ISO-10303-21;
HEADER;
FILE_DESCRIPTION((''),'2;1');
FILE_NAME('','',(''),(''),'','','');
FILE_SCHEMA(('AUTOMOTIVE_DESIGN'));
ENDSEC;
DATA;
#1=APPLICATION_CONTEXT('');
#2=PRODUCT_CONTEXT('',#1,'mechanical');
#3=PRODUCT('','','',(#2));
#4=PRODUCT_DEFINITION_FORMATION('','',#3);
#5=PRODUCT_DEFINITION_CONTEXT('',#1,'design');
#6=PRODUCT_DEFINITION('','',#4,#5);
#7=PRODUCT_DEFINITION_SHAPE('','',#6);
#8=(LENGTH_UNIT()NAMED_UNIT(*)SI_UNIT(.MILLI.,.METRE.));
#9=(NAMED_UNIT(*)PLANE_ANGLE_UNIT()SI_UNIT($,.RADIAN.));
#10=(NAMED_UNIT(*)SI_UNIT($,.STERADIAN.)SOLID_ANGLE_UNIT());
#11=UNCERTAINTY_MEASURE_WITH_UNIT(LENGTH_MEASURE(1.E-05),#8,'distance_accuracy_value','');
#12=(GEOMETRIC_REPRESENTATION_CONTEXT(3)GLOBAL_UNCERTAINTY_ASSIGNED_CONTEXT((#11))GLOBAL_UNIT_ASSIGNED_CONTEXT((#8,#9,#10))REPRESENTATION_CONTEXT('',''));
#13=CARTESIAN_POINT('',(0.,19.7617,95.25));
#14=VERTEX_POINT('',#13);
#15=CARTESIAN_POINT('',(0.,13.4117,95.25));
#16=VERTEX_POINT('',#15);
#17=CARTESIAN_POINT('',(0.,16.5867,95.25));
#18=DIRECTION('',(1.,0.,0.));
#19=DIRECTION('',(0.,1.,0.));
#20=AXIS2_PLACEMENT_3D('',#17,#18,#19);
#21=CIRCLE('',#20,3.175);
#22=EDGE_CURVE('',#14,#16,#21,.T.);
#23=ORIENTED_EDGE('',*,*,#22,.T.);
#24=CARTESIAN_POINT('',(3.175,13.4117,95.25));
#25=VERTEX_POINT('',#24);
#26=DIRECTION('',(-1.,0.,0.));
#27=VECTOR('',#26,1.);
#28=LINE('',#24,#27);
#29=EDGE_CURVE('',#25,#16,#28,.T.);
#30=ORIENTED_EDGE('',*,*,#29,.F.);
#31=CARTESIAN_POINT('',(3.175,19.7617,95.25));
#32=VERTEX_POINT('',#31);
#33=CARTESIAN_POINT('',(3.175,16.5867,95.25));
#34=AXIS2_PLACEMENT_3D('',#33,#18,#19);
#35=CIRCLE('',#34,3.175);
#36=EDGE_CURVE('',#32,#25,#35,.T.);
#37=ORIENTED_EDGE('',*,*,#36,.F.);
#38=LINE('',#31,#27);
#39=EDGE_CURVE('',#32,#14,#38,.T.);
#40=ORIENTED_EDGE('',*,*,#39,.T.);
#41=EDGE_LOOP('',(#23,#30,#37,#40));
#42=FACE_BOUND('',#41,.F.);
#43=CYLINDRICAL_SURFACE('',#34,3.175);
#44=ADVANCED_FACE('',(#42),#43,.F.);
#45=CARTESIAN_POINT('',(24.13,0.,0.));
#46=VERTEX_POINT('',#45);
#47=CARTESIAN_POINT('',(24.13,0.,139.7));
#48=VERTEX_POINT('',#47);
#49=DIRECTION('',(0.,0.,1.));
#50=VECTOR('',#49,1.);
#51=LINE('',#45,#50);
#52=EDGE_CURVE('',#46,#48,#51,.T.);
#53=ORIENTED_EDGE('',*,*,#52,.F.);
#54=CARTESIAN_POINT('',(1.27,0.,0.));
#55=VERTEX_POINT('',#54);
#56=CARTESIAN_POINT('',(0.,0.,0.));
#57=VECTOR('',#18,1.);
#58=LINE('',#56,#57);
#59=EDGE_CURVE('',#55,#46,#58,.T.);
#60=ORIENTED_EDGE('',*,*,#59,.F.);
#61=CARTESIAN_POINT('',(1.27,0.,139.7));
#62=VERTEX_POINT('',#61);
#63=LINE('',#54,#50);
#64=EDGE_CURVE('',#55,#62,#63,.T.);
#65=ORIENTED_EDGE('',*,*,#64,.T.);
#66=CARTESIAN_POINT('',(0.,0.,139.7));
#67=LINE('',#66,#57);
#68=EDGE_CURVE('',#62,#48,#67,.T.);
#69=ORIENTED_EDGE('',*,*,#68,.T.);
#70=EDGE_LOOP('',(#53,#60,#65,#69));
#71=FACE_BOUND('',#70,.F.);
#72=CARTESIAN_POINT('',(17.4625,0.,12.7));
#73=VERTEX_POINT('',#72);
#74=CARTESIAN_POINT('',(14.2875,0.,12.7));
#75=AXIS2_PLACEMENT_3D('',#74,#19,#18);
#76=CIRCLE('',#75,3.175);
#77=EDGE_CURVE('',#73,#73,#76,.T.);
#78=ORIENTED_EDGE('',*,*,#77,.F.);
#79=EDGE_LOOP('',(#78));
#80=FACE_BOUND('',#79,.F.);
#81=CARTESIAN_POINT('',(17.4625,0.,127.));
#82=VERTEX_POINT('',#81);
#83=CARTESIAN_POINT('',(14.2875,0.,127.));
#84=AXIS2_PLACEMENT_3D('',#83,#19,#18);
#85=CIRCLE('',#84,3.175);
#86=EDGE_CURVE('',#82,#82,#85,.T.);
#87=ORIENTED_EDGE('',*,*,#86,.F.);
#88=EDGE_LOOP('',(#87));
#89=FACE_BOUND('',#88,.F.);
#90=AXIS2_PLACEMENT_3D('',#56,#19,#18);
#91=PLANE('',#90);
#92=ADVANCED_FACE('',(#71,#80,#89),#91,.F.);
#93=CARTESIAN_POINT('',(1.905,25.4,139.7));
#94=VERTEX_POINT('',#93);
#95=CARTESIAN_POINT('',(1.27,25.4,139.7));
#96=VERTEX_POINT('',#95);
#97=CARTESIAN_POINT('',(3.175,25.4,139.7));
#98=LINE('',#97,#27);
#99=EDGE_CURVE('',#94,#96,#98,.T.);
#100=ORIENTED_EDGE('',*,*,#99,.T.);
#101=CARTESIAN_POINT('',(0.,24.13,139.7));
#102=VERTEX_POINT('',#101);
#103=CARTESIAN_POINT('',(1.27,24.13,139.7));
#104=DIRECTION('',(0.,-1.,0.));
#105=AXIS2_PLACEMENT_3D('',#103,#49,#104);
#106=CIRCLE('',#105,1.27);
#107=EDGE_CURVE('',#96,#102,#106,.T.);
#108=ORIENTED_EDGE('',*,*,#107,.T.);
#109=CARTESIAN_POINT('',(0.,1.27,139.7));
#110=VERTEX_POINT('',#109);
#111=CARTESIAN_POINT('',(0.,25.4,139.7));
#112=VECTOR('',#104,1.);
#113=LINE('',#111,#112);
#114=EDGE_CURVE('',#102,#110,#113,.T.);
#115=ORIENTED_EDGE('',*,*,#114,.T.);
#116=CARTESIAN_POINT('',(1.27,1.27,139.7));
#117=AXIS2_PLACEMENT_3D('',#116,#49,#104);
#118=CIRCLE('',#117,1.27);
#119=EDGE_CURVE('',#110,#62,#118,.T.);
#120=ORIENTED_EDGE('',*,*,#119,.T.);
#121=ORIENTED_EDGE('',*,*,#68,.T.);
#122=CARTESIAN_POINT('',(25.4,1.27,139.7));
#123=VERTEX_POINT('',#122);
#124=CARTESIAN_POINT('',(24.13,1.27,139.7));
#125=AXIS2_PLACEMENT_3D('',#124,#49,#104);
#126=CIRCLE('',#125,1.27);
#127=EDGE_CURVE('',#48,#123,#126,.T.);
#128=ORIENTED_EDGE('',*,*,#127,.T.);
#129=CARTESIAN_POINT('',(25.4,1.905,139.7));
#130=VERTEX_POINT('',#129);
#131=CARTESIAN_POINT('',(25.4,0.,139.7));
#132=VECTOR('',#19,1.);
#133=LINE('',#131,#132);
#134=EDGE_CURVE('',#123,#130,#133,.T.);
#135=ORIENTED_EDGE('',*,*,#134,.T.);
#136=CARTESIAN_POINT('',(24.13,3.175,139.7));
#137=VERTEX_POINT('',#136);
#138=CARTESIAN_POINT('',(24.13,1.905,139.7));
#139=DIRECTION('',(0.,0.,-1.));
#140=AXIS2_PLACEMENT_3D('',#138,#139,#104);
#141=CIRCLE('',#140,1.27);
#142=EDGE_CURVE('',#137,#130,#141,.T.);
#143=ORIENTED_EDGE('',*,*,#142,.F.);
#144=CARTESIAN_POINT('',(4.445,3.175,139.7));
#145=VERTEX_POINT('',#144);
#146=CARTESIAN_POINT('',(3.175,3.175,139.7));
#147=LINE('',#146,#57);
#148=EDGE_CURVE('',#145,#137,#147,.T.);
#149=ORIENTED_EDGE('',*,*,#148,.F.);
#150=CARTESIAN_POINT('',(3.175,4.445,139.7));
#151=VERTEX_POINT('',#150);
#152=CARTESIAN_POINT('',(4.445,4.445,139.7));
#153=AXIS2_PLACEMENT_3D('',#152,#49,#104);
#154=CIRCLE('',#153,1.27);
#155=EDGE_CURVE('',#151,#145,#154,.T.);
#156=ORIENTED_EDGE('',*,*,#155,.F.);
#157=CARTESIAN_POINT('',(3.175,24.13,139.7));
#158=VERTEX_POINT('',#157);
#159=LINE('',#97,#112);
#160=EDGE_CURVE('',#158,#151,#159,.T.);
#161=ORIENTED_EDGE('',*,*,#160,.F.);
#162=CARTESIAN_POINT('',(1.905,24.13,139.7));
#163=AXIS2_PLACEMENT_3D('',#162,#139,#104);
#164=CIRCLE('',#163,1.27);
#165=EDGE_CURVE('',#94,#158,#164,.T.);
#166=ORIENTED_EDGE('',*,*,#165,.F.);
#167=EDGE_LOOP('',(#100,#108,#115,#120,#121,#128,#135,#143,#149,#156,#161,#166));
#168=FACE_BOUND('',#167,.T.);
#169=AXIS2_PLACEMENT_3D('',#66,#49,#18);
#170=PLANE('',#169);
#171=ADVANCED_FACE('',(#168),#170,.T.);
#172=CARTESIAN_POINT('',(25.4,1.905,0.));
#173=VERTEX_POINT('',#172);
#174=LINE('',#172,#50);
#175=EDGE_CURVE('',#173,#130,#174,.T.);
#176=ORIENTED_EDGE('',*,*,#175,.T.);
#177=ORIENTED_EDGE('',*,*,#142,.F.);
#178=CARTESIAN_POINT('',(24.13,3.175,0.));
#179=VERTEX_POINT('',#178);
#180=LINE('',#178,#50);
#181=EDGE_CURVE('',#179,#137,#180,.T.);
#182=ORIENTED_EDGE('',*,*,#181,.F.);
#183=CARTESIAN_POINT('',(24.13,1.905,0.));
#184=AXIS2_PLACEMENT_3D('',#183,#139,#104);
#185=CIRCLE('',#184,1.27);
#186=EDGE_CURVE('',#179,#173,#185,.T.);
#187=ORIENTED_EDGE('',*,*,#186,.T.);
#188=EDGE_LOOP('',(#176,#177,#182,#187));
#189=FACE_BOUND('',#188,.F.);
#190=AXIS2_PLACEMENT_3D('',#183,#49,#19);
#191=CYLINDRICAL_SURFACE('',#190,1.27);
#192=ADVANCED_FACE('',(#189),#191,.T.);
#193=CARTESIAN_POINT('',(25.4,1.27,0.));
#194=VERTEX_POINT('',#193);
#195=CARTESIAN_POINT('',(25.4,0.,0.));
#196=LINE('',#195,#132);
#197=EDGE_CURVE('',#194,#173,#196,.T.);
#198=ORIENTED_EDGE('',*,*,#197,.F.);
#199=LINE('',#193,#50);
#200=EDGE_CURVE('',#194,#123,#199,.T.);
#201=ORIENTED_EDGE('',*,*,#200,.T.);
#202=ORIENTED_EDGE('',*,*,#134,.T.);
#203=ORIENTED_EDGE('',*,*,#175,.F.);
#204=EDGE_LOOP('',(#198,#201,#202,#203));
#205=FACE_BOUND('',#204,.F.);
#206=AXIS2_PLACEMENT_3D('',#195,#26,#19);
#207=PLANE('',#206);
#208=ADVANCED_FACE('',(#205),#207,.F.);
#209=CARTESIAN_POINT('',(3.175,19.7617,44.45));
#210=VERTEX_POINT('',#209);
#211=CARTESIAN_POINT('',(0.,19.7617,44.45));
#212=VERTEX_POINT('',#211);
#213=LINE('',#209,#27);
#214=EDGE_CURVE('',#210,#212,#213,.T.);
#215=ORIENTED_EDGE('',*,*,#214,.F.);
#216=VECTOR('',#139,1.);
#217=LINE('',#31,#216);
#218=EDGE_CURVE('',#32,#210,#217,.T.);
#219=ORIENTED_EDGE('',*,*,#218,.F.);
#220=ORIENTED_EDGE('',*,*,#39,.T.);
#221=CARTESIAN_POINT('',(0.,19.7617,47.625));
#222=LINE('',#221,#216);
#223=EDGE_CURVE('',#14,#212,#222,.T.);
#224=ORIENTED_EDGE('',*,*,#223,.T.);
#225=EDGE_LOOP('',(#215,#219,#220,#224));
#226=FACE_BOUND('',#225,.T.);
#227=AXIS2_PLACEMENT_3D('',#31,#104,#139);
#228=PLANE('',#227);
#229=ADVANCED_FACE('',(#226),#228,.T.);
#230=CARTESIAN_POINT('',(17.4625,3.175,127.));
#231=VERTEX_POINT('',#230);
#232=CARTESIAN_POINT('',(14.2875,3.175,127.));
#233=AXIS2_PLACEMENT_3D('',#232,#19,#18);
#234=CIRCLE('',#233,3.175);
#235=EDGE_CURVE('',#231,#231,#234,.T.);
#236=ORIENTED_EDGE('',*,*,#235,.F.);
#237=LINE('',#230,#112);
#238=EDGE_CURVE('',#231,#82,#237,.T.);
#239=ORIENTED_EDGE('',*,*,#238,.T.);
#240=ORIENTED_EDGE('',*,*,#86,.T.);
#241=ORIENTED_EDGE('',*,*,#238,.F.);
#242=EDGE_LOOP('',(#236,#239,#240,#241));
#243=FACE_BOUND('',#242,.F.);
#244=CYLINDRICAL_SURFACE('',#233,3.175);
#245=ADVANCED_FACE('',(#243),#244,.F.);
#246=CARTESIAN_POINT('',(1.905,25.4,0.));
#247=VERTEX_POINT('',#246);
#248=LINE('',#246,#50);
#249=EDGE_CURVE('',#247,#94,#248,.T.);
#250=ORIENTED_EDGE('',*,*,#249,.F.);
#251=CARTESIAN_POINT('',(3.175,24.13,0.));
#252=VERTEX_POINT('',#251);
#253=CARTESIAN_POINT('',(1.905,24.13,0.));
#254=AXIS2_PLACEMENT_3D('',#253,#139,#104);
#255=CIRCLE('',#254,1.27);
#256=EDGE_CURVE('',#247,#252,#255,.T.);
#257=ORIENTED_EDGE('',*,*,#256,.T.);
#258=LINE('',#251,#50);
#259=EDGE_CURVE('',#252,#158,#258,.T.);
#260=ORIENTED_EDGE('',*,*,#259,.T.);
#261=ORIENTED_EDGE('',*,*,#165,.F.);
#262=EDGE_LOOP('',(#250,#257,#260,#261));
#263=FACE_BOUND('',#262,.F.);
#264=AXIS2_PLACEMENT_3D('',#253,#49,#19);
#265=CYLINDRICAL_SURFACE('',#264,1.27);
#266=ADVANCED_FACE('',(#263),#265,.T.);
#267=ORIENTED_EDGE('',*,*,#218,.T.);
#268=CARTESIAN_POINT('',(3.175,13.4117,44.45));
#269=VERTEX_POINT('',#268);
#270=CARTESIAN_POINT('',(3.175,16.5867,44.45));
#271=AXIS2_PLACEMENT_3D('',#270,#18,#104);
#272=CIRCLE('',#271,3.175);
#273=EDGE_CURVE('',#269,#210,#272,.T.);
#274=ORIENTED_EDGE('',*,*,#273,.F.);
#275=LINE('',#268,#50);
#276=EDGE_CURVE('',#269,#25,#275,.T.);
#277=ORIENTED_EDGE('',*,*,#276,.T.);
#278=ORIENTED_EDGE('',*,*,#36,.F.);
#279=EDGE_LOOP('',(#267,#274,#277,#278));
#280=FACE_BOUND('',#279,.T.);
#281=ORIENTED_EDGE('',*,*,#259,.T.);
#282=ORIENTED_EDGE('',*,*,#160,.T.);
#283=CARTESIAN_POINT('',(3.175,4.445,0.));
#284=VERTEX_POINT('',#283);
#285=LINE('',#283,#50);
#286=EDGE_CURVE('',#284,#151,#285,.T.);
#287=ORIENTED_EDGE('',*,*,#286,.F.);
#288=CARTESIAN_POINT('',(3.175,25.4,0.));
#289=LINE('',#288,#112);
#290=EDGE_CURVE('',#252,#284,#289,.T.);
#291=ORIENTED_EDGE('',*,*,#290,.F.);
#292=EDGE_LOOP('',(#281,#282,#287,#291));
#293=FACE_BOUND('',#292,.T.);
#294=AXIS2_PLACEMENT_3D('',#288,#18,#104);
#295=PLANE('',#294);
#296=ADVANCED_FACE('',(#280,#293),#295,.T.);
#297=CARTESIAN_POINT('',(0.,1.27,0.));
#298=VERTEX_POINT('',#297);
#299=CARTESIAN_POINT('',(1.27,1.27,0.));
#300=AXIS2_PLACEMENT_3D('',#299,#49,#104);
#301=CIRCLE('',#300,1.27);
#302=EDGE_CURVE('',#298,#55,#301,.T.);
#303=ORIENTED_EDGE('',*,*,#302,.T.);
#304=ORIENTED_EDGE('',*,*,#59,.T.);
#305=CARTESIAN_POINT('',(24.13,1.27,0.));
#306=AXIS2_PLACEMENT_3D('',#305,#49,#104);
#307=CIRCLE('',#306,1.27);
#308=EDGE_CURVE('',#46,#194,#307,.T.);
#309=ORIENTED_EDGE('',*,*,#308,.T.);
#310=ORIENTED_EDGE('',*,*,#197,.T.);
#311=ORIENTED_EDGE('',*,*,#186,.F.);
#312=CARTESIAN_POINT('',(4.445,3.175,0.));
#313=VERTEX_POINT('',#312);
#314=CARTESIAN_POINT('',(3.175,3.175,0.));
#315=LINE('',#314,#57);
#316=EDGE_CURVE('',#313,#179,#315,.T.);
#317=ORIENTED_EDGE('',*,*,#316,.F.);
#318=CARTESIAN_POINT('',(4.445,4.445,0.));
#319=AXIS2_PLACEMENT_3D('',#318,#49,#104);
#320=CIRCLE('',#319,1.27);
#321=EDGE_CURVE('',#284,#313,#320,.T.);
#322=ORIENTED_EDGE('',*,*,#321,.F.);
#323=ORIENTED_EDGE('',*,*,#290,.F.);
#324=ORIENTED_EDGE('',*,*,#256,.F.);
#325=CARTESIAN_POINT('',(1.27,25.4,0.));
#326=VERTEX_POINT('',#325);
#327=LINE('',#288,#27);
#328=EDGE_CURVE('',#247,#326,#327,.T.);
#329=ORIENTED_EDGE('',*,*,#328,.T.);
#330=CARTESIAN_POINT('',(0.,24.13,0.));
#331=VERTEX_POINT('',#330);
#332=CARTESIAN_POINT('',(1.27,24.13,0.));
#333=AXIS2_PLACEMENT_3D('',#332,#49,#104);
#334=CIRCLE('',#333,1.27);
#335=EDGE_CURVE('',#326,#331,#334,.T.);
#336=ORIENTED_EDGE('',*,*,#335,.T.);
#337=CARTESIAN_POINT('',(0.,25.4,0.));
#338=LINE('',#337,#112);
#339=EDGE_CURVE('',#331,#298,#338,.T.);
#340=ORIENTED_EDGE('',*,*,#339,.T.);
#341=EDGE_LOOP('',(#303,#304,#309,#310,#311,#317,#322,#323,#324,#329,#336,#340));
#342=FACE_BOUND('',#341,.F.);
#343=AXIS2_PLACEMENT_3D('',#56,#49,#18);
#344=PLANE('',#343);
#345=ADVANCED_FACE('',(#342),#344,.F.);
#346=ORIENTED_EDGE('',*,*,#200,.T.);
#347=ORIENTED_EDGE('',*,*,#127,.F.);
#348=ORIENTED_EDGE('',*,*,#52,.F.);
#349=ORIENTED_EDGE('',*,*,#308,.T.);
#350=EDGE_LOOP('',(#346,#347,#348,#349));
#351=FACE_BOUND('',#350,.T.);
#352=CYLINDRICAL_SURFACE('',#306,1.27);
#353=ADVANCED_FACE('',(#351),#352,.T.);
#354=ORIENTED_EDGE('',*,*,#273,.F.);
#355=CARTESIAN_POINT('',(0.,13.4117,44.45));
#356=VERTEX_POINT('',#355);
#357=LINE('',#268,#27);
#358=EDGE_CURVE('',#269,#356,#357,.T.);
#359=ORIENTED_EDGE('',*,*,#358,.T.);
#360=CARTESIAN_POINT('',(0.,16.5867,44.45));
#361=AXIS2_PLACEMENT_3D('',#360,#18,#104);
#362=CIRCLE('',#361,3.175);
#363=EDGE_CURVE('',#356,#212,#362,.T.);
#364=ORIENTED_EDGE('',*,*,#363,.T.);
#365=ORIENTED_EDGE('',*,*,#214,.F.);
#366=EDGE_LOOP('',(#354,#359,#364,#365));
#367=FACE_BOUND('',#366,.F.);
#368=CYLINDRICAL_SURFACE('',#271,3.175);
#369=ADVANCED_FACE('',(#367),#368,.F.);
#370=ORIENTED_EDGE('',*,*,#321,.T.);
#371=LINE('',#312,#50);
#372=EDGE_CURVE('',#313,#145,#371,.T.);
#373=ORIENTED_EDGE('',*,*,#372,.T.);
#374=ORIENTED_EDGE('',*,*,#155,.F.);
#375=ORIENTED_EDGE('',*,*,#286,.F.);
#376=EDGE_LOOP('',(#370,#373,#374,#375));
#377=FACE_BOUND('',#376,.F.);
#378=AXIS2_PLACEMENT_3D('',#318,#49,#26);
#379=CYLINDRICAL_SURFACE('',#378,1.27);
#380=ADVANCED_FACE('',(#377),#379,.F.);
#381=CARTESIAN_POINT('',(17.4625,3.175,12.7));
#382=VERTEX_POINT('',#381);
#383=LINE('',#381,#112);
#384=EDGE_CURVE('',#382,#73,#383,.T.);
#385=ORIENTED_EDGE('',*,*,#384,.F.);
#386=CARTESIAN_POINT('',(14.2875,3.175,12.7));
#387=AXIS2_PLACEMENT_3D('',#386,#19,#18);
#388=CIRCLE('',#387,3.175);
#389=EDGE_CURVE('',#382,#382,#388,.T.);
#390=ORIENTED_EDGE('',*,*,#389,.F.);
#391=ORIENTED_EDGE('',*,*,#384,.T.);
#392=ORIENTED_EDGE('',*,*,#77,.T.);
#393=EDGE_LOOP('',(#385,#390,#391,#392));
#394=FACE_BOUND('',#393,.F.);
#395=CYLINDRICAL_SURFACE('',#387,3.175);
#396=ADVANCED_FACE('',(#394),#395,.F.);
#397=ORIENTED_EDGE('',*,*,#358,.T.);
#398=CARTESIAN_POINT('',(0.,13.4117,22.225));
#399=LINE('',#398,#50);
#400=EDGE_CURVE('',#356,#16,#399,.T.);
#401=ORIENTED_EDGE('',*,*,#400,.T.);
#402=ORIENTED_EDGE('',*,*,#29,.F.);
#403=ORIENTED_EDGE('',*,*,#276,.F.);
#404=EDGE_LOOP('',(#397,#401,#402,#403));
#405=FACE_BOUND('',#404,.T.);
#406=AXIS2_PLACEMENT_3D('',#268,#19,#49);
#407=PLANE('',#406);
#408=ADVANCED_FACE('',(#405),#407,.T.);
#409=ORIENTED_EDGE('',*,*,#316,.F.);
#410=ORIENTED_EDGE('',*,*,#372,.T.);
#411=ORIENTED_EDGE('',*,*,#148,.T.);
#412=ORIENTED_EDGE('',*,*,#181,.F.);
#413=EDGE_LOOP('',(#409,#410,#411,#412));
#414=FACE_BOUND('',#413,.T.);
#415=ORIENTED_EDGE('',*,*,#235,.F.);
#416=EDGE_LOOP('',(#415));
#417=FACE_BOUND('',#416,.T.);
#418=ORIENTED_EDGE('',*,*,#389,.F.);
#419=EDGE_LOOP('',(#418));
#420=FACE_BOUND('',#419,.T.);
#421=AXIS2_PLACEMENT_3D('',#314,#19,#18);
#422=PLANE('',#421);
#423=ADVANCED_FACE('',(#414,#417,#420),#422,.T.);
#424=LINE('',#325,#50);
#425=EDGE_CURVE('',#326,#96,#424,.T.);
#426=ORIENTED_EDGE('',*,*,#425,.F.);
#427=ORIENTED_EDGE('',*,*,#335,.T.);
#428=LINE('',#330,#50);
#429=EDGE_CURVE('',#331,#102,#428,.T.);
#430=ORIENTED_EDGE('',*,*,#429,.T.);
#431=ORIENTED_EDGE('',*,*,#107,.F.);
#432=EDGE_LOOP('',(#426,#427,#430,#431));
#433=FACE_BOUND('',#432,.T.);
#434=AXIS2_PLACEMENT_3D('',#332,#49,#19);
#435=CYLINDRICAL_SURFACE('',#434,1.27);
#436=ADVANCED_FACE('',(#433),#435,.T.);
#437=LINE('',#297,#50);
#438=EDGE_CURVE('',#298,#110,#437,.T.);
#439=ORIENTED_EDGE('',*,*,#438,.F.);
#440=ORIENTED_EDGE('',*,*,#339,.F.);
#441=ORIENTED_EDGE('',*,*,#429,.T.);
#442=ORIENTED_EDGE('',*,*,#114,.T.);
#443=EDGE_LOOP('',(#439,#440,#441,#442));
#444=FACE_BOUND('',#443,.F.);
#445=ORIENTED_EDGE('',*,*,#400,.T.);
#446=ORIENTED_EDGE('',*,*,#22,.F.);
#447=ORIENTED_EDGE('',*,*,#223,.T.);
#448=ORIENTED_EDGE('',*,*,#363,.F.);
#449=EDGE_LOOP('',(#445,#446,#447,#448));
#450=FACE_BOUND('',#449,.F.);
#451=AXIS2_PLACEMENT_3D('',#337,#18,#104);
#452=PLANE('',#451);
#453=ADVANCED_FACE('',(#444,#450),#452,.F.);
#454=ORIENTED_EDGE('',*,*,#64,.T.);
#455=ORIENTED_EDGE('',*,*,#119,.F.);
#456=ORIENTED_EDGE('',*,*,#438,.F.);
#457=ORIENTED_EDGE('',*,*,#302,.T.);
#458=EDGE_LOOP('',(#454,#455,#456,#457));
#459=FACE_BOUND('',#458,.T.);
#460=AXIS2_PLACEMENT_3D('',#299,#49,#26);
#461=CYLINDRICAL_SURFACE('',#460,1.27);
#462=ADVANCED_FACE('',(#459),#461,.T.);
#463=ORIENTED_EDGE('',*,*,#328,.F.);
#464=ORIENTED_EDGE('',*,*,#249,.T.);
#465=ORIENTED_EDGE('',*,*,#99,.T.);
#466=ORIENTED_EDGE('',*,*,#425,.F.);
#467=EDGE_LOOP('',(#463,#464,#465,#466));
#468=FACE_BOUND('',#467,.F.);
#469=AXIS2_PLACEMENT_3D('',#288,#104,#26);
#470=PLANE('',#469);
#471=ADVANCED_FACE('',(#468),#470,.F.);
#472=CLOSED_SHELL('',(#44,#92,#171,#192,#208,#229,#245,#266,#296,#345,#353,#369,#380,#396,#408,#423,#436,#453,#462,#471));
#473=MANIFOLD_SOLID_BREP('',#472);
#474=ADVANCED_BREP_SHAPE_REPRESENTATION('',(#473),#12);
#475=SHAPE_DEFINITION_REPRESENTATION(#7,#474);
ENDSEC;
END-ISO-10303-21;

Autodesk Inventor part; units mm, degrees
ref_plane "YZ Plane" through (0, 0, 0) normal (1, 0, 0) x (0, 1, 0)
ref_plane "XZ Plane" through (0, 0, 0) normal (0, 1, 0) x (-1, 0, 0)
ref_plane "XY Plane" through (0, 0, 0) normal (0, 0, 1) x (1, 0, 0)
sketch "Sketch1" plane through (0, 0, 0) normal (0, 0, 1) x (1, 0, 0)
  line L0 (0, 0) -> (25.4, 0)
  line L1 (25.4, 0) -> (25.4, 3.175)
  line L2 (3.175, 25.4) -> (0, 25.4)
  line L3 (0, 25.4) -> (0, 0)
  line L4 (3.175, 25.4) -> (3.175, 3.175)
  line L5 (3.175, 3.175) -> (25.4, 3.175)
  dimension "d1" = 25.4
  dimension "d2" = 3.175
  dimension "d3" = 3.175
  dimension "d4" = 25.4
extrude "Extrusion1" add sketch "Sketch1" along normal blind 139.7
fillet "Fillet1" radius 1.27 1 edges at (3.175, 25.4, 69.85)
fillet "Fillet2" radius 1.27 5 edges at (0, 25.4, 69.85) (25.4, 3.175, 69.85) (25.4, 0, 69.85) (0, 0, 69.85) (3.175, 3.175, 69.85)
sketch "Sketch2" plane through (4.445, 3.175, 0) normal (0, 1, 0) x (1, 0, 0)
  line L0 (0, -139.7) -> (19.685, -139.7) projected
  line L1 (19.685, 0) -> (0, 0) projected
  circle A0 centre (9.8425, -12.7) radius 3.175
  circle A1 centre (9.8425, -127) radius 3.175
  point P0 (-4.445, 0)
  dimension "d9" = 6.35
  dimension "d10" = 6.35
  dimension "d11" = 12.7
  dimension "d12" = 12.7
extrude "Extrusion2" cut sketch "Sketch2" against normal blind 152.4
sketch "Sketch3" plane through (3.175, 24.13, 139.7) normal (1, 0, 0) x (0, 0, -1)
  line L0 (44.45, -4.3683) -> (95.25, -4.3683)
  line L1 (95.25, -10.7183) -> (44.45, -10.7183)
  arc A0 (44.45, -4.3683) -> (44.45, -10.7183) centre (44.45, -7.5433) ccw
  arc A1 (95.25, -10.7183) -> (95.25, -4.3683) centre (95.25, -7.5433) ccw
  line L2 (139.7, -19.685) -> (139.7, 0) projected
  point P0 (139.7, -24.13)
  point P1 (0, 0)
  dimension "d20" = 44.45
  dimension "d21" = 50.8
  dimension "d22" = 139.7
extrude "Extrusion3" cut sketch "Sketch3" against normal blind 152.4
equation "\"d3\" = d2"
equation "\"d12\" = d11"
equation "\"d20\" = -0.5 * d21 + 0.5 * d22"
properties part number "BatteryMountSide"
